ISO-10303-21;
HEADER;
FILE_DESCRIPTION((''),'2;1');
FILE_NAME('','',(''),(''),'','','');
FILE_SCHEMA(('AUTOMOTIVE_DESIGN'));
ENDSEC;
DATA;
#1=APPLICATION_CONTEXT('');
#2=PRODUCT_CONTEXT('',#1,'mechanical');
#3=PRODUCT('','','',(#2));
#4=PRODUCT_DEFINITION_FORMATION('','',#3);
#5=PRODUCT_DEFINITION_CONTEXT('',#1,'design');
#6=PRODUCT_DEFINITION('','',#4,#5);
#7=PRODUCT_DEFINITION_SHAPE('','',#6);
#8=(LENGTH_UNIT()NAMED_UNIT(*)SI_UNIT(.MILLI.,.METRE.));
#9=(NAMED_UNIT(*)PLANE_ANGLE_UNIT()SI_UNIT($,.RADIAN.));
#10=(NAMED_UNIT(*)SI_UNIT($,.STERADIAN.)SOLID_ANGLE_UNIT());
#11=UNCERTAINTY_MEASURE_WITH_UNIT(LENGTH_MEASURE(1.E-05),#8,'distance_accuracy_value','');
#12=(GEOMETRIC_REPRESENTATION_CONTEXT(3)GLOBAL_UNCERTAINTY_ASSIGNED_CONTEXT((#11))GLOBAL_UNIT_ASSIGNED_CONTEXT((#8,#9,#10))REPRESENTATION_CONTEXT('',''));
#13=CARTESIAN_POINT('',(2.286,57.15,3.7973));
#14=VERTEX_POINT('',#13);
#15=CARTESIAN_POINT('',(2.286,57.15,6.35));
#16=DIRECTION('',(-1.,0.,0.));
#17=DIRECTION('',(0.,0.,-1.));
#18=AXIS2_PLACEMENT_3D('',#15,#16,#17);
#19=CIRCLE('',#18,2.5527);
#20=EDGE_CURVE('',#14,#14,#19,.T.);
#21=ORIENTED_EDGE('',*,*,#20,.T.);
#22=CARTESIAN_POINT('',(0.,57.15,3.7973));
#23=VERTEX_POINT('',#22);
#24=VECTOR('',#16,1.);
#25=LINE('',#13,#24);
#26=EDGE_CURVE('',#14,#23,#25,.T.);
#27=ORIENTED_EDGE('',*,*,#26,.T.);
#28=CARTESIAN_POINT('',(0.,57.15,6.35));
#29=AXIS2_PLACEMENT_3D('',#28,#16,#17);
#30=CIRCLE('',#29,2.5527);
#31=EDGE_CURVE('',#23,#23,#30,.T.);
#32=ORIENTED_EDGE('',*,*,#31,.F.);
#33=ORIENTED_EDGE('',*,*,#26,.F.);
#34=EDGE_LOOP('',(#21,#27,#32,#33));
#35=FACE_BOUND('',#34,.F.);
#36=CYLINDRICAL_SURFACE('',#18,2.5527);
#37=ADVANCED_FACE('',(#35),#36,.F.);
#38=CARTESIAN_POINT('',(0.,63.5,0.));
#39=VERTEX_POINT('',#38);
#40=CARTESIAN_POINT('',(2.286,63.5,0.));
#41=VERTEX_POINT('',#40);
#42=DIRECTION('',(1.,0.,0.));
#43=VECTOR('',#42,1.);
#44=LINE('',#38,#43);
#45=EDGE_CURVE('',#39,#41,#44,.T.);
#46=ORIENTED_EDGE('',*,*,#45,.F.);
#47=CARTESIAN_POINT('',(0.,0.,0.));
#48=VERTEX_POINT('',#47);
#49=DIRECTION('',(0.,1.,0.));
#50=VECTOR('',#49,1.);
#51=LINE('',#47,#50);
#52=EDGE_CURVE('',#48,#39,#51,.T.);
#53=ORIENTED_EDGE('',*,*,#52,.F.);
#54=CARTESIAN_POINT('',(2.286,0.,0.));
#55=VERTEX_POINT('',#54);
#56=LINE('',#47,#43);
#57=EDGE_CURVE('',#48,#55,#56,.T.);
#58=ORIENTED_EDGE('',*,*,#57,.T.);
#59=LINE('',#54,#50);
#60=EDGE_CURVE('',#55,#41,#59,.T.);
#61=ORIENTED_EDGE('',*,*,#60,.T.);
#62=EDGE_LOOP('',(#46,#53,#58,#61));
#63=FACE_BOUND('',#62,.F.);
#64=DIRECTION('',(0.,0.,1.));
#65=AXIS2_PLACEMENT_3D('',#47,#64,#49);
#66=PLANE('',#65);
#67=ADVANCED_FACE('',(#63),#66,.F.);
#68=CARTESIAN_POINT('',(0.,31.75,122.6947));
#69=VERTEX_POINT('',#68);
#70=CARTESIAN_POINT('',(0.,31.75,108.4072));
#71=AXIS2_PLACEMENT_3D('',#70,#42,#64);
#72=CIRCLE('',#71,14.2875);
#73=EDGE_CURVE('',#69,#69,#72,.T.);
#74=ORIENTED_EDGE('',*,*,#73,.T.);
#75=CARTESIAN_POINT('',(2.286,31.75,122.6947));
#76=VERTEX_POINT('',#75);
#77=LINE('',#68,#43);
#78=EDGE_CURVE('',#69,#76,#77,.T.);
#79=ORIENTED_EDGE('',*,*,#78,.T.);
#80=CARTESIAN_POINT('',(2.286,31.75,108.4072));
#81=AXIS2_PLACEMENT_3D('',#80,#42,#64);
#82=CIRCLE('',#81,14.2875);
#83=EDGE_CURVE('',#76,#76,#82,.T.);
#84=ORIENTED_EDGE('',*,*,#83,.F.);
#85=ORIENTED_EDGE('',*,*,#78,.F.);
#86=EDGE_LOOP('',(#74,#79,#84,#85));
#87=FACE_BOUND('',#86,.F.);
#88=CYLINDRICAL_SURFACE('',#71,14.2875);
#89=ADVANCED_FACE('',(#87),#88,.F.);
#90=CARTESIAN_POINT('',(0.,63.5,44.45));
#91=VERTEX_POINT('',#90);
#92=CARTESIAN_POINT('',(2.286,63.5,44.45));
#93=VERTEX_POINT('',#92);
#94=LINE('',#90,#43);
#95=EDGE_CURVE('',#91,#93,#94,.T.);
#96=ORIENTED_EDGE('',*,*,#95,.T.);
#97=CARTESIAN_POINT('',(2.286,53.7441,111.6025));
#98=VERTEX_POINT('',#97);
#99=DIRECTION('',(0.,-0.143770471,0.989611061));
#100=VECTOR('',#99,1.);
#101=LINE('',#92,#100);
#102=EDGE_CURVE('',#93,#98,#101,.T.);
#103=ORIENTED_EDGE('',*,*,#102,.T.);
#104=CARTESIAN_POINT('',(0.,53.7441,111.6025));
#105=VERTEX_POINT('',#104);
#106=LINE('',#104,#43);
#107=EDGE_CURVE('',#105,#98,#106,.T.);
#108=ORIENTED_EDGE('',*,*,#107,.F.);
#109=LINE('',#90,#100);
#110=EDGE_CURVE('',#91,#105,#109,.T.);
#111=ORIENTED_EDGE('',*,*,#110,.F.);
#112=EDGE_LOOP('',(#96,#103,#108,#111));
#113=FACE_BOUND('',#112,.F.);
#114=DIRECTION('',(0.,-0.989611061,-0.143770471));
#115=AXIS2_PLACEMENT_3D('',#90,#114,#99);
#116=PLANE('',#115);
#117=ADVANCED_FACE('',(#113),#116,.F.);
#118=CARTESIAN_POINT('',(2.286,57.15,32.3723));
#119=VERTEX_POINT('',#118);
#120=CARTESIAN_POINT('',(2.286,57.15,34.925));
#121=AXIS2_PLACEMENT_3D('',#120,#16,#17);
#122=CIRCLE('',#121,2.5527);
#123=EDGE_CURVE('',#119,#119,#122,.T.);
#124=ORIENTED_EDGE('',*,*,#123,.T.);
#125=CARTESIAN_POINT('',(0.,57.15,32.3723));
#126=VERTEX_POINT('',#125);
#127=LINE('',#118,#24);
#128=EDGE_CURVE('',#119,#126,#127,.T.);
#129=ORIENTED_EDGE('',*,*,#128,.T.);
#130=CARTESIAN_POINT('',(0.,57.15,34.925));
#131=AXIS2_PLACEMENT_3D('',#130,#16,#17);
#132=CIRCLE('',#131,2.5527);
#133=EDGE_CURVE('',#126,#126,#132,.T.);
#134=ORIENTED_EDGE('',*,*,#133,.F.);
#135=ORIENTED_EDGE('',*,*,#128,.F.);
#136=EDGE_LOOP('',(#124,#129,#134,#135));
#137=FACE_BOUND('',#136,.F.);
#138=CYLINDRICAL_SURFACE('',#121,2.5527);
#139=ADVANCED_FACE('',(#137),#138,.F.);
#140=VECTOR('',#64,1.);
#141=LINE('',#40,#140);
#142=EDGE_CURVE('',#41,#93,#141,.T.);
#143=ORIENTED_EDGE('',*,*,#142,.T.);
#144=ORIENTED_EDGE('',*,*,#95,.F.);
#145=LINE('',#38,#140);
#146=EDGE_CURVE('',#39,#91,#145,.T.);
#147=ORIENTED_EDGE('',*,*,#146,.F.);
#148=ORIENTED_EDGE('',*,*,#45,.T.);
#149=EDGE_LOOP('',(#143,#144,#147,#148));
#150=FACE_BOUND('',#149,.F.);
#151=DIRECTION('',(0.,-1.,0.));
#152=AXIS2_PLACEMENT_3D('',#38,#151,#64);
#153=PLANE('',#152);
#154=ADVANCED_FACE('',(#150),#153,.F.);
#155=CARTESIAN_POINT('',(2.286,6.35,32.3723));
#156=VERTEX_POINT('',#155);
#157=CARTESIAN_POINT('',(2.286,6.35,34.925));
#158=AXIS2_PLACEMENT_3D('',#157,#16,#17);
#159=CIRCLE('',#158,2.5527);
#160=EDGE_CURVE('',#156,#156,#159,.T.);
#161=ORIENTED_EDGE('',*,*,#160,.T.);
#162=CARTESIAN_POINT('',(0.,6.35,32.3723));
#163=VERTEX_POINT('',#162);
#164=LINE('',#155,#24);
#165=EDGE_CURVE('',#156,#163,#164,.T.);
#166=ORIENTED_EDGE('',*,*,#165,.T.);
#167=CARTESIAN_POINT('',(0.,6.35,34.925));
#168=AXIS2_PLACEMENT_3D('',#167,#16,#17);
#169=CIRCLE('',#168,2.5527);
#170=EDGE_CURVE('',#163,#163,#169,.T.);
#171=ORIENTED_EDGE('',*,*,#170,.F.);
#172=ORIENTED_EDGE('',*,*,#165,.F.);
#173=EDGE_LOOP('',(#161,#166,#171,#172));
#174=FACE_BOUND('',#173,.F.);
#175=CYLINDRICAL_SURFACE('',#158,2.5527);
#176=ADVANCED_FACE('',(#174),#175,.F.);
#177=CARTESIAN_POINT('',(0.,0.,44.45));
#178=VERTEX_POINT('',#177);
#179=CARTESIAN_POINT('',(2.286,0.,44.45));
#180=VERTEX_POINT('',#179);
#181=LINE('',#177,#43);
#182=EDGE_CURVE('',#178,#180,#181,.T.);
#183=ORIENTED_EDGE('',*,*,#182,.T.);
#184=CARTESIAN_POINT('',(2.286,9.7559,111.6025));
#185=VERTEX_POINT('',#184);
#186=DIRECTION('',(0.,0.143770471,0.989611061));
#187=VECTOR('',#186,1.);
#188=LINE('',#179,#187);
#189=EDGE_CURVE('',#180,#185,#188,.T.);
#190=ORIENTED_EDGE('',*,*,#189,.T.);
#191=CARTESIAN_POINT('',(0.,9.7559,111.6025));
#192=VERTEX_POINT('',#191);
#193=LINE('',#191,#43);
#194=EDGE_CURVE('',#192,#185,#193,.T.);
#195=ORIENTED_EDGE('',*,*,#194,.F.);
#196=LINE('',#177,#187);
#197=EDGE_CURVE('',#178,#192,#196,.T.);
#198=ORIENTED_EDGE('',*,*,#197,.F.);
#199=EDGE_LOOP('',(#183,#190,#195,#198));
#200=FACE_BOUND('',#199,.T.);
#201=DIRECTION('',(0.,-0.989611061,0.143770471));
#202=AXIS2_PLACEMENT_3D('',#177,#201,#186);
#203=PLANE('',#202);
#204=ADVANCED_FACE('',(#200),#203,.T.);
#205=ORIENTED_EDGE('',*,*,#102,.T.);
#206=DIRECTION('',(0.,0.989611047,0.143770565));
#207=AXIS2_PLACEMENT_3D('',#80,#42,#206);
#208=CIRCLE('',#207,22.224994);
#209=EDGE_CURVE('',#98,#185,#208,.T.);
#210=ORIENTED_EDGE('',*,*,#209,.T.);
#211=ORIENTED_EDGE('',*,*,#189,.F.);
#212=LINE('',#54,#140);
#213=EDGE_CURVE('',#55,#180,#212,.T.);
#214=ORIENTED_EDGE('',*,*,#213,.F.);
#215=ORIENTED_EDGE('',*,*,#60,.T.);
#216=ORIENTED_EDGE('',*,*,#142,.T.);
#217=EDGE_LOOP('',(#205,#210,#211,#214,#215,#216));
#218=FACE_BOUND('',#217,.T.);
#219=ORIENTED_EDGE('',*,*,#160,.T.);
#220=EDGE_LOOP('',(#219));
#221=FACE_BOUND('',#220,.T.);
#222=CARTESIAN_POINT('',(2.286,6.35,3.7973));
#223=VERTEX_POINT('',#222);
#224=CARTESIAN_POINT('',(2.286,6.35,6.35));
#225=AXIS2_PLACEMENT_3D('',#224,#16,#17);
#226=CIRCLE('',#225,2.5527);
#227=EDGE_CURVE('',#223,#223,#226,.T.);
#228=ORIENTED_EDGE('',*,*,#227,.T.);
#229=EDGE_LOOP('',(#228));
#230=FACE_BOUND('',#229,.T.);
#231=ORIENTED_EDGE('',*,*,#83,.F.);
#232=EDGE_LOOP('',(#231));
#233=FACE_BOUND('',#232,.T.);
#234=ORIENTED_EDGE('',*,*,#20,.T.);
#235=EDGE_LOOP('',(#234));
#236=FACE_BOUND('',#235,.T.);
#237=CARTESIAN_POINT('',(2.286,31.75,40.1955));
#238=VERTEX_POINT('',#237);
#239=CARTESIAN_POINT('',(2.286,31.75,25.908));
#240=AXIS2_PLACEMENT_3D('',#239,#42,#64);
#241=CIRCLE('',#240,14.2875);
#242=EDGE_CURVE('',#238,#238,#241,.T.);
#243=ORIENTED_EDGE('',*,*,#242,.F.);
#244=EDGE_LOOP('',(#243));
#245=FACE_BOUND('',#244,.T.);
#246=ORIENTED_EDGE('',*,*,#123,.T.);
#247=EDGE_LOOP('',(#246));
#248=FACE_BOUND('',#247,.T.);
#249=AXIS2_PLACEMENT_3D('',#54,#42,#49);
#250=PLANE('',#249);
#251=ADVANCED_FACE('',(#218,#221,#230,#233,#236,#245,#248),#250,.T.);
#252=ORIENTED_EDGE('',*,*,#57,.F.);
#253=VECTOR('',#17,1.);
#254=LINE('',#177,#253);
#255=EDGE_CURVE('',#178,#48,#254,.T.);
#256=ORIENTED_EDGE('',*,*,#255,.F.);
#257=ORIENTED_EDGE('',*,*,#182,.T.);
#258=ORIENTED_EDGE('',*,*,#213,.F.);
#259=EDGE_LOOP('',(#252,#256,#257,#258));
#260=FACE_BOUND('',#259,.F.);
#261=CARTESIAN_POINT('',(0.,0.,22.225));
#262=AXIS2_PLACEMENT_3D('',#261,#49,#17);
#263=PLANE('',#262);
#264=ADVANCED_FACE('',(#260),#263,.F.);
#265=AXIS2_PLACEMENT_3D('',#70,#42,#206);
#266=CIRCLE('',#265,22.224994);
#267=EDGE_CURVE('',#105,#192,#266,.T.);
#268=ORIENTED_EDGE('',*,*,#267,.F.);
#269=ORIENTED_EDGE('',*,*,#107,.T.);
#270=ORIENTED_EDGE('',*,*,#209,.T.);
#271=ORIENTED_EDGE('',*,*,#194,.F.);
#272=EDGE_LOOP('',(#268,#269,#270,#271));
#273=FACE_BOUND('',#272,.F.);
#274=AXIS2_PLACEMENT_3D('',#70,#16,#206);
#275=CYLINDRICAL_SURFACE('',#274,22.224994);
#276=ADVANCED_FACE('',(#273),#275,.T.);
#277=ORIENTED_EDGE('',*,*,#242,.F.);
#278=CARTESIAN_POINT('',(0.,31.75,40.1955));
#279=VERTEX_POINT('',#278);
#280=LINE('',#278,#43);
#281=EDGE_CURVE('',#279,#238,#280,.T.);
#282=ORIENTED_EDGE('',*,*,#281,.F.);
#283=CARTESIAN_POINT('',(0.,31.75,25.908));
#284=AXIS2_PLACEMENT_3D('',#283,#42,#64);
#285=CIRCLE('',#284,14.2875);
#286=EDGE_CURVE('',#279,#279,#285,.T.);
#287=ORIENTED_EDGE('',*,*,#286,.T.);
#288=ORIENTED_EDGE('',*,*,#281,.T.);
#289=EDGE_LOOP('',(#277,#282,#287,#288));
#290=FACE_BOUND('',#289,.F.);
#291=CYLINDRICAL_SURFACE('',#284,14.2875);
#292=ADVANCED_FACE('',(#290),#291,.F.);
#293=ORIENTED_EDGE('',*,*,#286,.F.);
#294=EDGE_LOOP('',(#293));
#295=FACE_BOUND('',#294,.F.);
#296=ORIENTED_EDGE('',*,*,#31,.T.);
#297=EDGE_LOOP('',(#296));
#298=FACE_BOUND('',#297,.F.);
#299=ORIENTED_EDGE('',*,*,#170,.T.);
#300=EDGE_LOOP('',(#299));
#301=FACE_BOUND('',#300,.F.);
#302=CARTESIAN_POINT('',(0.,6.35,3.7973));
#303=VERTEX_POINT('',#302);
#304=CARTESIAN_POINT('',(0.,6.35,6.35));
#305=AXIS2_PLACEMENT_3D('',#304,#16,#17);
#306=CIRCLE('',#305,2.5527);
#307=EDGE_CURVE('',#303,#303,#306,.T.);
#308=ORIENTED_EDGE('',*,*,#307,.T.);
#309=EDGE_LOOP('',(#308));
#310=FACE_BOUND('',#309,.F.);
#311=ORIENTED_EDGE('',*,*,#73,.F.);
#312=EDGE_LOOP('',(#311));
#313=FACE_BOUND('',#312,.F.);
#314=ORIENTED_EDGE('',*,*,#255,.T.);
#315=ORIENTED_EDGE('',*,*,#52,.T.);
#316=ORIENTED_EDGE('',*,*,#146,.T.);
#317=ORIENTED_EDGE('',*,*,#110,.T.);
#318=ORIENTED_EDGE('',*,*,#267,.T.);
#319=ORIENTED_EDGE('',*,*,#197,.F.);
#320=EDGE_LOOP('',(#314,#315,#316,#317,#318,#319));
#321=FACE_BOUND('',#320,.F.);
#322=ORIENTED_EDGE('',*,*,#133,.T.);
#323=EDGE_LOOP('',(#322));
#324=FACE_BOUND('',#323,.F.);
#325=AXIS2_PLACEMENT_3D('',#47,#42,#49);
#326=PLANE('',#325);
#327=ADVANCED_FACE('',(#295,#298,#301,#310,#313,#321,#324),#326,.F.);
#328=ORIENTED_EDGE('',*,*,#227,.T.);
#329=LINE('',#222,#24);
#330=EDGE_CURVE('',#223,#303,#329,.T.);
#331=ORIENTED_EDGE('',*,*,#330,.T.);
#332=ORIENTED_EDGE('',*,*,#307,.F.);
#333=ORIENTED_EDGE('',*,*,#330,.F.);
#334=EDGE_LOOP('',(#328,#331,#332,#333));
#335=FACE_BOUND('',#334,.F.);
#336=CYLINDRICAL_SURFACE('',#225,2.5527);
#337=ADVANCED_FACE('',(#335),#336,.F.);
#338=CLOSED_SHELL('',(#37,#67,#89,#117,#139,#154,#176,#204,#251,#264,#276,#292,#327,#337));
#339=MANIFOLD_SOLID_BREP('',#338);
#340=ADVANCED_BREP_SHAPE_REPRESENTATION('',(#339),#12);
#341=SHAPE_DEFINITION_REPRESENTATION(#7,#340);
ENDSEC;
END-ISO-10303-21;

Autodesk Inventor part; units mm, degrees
ref_plane "YZ Plane" through (0, 0, 0) normal (1, 0, 0) x (0, 1, 0)
ref_plane "XZ Plane" through (0, 0, 0) normal (0, 1, 0) x (-1, 0, 0)
ref_plane "XY Plane" through (0, 0, 0) normal (0, 0, 1) x (1, 0, 0)
sketch "Sketch1" plane through (0, 0, 0) normal (1, 0, 0) x (0, 1, 0)
  line L0 (0, 0) -> (63.5, 0)
  line L1 (63.5, 0) -> (63.5, 44.45)
  line L2 (0, 44.45) -> (0, 0)
  line L3 (31.75, 139.6202) -> (31.75, -24.2766) construction
  arc A0 (53.7441, 111.6025) -> (9.7559, 111.6025) centre (31.75, 108.4072) ccw
  line L4 (63.5, 44.45) -> (53.7441, 111.6025)
  line L5 (0, 44.45) -> (9.7559, 111.6025)
  line L6 (0, 22.225) -> (-15.9644, 22.225)
  point P0 (31.75, 25.908)
  dimension "d0" = 63.5
  dimension "d1" = 44.45
  dimension "d3" = 31.75
  dimension "d5" = 44.45
  dimension "d21" = 82.4992
  dimension "d22" = 63.9572
  dimension "d40" = 25.908
extrude "Extrusion1" add sketch "Sketch1" along normal blind 2.286
hole "Hole2" at (0, 31.75, 108.4072) at (0, 31.75, 25.908) direction (1, 0, 0) diameter 28.575 end through all
sketch "Sketch2" plane through (2.286, 0, 0) normal (1, 0, 0) x (0, 0, -1)
  line L0 (0, 63.5) -> (-44.45, 63.5) projected
  line L1 (-12.7, -16.6387) -> (-12.7, 68.9005) construction
  line L2 (0, 0) -> (0, 63.5) construction
  circle A0 centre (-25.908, 31.75) radius 14.2875 projected
  circle A1 centre (-25.908, 31.75) radius 22.0437
  circle A2 centre (-6.35, 57.15) radius 4.5847
  line L3 (-0.8507, 57.15) -> (-3.6004, 52.3875)
  line L4 (-3.6004, 52.3875) -> (-9.0996, 52.3875)
  line L5 (-9.0996, 52.3875) -> (-11.8493, 57.15)
  line L6 (-11.8493, 57.15) -> (-9.0996, 61.9125)
  line L7 (-9.0996, 61.9125) -> (-3.6004, 61.9125)
  line L8 (-3.6004, 61.9125) -> (-0.8507, 57.15)
  circle A3 centre (-34.925, 57.15) radius 4.5847
  line L9 (-29.631, 57.15) -> (-32.278, 52.5653)
  line L10 (-32.278, 52.5653) -> (-37.572, 52.5653)
  line L11 (-37.572, 52.5653) -> (-40.219, 57.15)
  line L12 (-40.219, 57.15) -> (-37.572, 61.7347)
  line L13 (-37.572, 61.7347) -> (-32.278, 61.7347)
  line L14 (-32.278, 61.7347) -> (-29.631, 57.15)
  point P0 (-6.35, 6.35)
  point P1 (-34.925, 6.35)
  dimension "d33" = 9.1694
  dimension "d35" = 9.525
  dimension "d37" = 25.4
  dimension "d39" = 25.4
  dimension "d41" = 9.525
  dimension "d42" = 38.1
hole "Hole1" at (2.286, 57.15, 34.925) at (2.286, 57.15, 6.35) at (2.286, 6.35, 34.925) at (2.286, 6.35, 6.35) direction (-1, 0, 0) diameter 5.1054 end through all clearance for "Flat Head Machine Screw (82)" size "#10" standard "Ansi Unified Screw Threads"
equation "\"d3\" = 0.5 * d0"
equation "\"d39\" = d37"
properties part number "CAR_041_KickerGusset" material "Aluminum 6061"
